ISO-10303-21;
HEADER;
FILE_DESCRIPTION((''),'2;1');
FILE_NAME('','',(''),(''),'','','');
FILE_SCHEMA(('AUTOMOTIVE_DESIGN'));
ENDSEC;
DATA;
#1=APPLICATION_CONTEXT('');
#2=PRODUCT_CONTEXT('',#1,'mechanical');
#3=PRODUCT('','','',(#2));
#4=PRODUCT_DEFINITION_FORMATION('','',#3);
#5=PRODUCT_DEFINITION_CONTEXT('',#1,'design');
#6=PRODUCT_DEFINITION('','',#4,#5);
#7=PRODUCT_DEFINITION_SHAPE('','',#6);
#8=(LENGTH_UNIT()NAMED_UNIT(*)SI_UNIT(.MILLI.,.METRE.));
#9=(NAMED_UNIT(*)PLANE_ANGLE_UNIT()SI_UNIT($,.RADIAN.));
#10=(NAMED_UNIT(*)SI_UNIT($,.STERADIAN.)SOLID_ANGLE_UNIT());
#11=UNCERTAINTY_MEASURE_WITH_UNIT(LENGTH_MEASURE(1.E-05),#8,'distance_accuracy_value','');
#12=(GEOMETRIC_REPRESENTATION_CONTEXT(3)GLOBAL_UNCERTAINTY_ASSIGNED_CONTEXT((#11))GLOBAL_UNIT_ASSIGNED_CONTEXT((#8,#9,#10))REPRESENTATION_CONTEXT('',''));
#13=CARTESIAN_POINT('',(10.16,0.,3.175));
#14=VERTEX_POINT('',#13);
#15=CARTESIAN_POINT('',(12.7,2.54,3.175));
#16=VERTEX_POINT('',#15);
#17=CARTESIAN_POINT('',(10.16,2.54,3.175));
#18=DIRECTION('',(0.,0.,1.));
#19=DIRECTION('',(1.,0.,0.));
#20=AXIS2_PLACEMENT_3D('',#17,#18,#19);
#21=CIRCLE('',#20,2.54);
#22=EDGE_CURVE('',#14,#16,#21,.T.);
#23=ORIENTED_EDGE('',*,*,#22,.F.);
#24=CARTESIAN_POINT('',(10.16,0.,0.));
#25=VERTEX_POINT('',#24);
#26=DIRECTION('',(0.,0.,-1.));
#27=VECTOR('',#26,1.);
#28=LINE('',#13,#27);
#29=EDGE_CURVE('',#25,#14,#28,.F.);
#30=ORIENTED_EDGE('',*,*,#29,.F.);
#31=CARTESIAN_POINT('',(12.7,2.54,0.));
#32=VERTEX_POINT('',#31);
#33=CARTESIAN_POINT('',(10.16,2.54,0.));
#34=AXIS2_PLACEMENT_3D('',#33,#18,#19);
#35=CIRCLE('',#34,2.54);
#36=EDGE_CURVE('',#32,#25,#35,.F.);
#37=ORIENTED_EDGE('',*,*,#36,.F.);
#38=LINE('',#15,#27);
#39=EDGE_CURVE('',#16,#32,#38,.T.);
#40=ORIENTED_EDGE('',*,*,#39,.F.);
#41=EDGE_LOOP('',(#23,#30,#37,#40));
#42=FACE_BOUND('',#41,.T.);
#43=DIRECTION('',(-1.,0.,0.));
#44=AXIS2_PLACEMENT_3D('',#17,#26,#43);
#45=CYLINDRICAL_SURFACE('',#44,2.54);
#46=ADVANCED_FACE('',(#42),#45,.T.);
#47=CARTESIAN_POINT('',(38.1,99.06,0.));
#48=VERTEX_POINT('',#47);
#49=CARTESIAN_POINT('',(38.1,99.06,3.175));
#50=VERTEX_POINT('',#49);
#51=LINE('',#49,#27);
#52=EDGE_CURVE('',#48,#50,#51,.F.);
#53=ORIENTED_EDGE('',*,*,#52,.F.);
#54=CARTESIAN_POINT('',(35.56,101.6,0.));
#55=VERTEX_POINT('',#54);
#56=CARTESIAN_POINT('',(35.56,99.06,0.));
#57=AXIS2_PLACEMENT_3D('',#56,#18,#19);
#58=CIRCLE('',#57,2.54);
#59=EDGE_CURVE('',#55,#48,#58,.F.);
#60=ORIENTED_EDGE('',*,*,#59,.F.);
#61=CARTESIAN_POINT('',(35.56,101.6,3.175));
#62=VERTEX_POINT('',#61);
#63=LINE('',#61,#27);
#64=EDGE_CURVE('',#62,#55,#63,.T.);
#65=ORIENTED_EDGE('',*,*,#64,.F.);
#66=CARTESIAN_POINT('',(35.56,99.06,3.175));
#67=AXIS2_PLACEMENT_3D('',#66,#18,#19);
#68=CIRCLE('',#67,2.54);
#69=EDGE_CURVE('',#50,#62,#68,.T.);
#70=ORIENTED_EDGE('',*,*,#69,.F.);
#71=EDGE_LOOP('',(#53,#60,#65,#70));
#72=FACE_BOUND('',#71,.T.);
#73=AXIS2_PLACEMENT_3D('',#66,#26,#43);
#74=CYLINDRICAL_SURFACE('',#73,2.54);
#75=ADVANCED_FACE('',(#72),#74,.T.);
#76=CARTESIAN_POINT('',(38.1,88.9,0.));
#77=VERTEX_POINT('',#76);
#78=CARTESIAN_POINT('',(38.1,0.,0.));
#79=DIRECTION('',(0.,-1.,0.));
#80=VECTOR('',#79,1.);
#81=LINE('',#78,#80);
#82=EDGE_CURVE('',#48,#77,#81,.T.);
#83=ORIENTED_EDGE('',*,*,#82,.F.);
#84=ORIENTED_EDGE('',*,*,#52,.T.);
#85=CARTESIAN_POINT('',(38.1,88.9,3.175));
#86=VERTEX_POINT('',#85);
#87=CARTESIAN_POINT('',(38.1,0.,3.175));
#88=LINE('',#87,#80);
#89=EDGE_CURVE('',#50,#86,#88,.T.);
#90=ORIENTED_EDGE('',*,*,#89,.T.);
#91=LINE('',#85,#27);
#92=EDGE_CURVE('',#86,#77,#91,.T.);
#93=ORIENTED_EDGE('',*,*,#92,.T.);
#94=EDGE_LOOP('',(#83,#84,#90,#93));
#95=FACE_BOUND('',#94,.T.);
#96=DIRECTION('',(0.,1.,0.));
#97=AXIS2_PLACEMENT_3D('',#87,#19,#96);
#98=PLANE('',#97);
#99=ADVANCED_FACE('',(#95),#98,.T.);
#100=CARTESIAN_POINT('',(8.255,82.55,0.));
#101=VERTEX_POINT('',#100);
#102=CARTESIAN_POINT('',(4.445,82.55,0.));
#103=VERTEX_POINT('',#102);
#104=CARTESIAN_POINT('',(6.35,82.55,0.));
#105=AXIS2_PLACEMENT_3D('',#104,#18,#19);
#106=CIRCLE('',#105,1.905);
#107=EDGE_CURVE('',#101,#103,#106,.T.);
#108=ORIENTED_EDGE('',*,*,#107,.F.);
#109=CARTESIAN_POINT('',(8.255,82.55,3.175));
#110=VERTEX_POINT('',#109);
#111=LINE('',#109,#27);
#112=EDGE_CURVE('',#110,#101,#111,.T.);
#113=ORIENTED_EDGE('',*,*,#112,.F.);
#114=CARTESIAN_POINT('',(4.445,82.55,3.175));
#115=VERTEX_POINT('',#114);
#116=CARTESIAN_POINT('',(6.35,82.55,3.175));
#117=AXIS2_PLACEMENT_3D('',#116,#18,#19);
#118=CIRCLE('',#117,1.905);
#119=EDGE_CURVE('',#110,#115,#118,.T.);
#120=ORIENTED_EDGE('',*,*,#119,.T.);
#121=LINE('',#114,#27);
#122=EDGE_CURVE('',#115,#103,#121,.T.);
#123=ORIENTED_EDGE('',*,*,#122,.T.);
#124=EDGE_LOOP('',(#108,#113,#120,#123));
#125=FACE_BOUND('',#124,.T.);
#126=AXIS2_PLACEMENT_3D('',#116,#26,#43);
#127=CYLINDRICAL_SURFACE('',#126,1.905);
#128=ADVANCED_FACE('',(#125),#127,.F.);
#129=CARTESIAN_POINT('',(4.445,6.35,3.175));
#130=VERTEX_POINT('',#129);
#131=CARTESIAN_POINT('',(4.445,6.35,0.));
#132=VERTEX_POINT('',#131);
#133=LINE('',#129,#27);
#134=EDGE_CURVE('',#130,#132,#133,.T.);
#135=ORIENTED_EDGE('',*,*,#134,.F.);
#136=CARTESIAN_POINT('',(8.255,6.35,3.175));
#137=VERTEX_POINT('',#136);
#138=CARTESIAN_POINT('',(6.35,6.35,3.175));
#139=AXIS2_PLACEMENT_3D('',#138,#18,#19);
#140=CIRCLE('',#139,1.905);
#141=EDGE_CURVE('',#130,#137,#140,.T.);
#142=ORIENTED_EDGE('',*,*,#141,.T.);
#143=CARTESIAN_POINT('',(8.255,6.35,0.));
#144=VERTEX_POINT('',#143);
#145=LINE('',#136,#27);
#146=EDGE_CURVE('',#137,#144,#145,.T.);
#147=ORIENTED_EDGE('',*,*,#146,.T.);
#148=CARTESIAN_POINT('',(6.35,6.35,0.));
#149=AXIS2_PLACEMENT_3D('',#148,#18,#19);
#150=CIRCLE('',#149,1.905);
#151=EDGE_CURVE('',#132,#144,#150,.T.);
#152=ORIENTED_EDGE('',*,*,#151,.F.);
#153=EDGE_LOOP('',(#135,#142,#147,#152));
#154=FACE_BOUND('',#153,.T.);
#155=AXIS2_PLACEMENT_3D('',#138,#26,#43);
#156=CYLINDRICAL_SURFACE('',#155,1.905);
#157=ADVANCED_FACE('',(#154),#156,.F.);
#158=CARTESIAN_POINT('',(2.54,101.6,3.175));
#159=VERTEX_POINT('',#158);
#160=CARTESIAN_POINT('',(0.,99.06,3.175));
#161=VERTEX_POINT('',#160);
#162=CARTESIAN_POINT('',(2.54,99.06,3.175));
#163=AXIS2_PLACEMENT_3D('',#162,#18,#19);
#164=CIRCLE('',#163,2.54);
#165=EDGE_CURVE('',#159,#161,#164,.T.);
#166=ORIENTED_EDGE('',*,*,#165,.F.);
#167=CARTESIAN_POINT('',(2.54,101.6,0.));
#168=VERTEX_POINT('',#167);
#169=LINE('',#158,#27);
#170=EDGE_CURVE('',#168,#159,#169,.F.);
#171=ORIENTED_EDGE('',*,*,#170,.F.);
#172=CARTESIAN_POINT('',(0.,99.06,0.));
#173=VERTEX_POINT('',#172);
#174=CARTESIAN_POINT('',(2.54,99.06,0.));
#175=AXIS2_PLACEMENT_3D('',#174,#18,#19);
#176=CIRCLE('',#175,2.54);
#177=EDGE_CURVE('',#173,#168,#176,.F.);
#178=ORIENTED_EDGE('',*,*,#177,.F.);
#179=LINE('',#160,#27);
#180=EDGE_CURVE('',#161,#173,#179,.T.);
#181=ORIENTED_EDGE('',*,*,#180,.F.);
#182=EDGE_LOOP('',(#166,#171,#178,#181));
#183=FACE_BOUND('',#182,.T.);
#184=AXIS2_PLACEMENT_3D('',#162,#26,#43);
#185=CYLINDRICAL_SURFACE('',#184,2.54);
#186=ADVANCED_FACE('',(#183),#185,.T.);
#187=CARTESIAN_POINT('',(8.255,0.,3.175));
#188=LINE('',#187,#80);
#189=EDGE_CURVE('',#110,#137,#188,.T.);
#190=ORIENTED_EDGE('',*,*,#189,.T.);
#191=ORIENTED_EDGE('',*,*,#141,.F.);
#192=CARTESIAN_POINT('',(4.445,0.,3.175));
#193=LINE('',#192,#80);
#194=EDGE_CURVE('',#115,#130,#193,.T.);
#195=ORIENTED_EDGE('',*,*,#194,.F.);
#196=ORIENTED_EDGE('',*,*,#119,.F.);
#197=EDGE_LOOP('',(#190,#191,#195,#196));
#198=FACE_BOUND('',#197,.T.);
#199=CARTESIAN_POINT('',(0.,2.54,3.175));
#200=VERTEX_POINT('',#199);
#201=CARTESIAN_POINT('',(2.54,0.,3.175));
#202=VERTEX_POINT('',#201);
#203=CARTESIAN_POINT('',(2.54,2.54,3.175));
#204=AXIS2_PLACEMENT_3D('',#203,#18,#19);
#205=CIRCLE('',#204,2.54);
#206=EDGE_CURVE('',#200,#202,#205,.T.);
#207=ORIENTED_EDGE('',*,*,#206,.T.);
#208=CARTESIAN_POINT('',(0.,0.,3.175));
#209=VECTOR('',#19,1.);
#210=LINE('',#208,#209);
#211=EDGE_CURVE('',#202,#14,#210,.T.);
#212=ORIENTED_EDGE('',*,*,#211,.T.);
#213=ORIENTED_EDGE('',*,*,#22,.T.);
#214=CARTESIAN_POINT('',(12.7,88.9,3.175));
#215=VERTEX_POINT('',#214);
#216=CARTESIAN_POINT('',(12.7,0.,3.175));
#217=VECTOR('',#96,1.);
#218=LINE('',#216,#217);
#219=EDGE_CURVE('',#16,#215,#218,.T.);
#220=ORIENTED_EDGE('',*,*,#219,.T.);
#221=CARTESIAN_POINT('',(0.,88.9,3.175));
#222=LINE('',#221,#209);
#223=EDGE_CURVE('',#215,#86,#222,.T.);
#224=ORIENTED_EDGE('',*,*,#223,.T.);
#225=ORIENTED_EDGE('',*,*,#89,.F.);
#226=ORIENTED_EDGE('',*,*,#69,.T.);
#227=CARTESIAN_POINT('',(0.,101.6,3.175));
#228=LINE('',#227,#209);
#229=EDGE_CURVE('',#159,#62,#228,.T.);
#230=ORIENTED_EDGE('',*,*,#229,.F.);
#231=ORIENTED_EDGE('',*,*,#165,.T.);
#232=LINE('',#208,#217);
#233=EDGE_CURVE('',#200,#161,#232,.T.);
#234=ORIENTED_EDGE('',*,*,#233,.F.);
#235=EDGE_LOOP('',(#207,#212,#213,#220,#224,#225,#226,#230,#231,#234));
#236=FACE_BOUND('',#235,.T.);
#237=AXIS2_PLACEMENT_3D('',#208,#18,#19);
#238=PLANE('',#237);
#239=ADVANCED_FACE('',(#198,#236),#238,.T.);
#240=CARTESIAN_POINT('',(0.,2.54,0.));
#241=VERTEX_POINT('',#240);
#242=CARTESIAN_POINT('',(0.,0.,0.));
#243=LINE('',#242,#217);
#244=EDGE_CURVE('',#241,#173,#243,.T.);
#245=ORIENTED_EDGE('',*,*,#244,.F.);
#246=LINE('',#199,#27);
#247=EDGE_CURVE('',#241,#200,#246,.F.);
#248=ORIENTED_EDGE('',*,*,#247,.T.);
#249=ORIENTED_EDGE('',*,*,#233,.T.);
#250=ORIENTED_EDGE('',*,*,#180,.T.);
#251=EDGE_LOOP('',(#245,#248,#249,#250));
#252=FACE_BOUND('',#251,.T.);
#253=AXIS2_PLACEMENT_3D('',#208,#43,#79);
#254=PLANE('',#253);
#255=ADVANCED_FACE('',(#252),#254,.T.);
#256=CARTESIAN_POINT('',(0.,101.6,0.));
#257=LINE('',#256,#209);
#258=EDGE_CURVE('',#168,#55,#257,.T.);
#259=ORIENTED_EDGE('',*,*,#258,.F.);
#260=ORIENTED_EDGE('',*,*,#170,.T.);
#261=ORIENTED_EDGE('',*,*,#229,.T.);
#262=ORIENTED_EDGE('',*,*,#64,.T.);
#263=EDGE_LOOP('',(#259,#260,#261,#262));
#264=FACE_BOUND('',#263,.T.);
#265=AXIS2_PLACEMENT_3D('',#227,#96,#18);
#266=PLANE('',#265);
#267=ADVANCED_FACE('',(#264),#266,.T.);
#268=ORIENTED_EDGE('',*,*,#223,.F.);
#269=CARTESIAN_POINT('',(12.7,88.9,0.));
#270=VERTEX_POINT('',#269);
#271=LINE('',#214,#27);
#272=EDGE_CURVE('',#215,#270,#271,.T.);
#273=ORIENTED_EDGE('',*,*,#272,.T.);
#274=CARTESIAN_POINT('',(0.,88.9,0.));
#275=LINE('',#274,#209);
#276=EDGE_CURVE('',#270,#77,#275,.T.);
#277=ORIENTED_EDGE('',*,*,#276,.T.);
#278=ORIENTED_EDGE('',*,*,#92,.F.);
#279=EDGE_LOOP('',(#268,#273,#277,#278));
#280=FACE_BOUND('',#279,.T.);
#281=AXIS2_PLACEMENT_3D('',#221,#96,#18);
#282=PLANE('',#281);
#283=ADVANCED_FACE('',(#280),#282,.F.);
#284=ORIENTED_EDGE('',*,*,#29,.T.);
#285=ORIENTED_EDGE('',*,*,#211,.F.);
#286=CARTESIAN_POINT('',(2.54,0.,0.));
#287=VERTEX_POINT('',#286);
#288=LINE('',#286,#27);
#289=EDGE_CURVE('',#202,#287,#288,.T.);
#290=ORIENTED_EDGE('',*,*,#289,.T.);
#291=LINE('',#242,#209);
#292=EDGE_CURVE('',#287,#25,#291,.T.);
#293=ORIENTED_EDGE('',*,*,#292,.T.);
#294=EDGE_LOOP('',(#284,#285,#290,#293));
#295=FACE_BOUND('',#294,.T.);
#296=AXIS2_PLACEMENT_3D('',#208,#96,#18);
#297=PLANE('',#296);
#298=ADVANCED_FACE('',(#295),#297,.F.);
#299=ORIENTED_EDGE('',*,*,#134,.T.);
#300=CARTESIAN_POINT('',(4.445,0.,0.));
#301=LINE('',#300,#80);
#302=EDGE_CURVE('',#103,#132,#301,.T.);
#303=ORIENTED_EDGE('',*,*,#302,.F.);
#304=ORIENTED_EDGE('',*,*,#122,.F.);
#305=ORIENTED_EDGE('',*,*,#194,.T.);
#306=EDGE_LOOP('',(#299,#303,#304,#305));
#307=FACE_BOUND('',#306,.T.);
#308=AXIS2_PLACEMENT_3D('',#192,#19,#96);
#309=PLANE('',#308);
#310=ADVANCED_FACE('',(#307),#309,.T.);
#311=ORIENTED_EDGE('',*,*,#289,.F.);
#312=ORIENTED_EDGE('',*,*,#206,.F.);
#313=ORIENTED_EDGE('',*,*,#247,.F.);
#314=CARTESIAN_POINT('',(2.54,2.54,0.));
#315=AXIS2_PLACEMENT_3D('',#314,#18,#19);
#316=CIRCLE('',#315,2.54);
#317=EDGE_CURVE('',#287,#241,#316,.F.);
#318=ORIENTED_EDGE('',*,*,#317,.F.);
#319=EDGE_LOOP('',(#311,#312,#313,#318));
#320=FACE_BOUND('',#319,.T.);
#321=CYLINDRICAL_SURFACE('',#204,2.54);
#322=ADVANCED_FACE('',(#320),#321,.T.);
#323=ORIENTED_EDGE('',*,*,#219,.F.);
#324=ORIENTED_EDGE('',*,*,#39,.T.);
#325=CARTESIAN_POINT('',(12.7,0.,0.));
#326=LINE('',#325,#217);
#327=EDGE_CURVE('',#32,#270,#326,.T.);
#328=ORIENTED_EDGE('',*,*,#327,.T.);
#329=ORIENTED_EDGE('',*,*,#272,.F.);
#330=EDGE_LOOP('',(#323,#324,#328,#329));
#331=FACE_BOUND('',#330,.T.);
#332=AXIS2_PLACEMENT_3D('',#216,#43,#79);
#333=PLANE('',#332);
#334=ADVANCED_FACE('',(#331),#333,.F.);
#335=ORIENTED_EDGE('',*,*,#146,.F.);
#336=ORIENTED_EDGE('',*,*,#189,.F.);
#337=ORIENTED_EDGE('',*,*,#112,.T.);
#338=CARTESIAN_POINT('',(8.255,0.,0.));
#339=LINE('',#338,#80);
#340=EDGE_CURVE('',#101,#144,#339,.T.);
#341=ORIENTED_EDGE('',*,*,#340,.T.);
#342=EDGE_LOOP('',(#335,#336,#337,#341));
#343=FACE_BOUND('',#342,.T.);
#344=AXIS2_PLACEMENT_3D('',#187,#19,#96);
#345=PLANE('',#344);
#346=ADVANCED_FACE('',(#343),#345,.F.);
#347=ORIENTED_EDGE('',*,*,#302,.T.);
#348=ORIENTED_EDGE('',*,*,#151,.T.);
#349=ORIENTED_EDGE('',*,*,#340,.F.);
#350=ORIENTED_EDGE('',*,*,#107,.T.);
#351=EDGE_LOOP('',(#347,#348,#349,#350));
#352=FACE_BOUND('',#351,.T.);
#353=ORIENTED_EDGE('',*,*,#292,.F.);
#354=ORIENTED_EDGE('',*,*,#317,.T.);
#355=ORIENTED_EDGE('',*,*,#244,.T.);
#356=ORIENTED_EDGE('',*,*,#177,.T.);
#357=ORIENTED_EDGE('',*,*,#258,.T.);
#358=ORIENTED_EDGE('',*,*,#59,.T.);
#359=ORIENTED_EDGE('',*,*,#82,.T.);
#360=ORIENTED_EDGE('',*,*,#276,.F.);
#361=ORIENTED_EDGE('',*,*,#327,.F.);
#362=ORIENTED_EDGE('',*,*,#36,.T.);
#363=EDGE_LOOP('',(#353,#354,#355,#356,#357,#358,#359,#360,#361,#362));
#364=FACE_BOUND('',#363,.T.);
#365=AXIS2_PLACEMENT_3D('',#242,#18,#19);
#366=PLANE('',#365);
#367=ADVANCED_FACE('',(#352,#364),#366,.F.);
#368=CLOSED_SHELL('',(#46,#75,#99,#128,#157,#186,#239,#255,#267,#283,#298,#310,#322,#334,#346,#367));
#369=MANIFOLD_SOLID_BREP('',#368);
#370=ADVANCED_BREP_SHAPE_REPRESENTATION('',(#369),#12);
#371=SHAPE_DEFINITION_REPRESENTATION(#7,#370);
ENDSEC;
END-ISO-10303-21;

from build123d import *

# Parameters (mm, degrees)
BOSS_EXTRUDE1_DEPTH = 3.175
FILLET1_R           = 2.54


with BuildPart() as part:
    # Sketch1 → Boss-Extrude1 (new body)
    with BuildSketch(Plane.XY):
        Polygon((0, 101.6), (0, 0), (12.7, 0), (12.7, 88.9), (38.1, 88.9), (38.1, 101.6), align=None)
        with BuildLine():
            ThreePointArc((4.445, 82.55), (6.35, 84.455), (8.255, 82.55))
            Line((8.255, 82.55), (8.255, 6.35))
            ThreePointArc((8.255, 6.35), (6.35, 4.445), (4.445, 6.35))
            Line((4.445, 6.35), (4.445, 82.55))
        make_face(mode=Mode.SUBTRACT)
    extrude(amount=BOSS_EXTRUDE1_DEPTH)

    # Fillet1
    fillet1_edges = [part.edges().sort_by_distance(p)[0] for p in [
        (12.7, 0, 1.5875),
        (0, 0, 1.5875),
        (38.1, 101.6, 1.5875),
        (0, 101.6, 1.5875),
    ]]
    fillet(fillet1_edges, radius=FILLET1_R)


solid = part.part
